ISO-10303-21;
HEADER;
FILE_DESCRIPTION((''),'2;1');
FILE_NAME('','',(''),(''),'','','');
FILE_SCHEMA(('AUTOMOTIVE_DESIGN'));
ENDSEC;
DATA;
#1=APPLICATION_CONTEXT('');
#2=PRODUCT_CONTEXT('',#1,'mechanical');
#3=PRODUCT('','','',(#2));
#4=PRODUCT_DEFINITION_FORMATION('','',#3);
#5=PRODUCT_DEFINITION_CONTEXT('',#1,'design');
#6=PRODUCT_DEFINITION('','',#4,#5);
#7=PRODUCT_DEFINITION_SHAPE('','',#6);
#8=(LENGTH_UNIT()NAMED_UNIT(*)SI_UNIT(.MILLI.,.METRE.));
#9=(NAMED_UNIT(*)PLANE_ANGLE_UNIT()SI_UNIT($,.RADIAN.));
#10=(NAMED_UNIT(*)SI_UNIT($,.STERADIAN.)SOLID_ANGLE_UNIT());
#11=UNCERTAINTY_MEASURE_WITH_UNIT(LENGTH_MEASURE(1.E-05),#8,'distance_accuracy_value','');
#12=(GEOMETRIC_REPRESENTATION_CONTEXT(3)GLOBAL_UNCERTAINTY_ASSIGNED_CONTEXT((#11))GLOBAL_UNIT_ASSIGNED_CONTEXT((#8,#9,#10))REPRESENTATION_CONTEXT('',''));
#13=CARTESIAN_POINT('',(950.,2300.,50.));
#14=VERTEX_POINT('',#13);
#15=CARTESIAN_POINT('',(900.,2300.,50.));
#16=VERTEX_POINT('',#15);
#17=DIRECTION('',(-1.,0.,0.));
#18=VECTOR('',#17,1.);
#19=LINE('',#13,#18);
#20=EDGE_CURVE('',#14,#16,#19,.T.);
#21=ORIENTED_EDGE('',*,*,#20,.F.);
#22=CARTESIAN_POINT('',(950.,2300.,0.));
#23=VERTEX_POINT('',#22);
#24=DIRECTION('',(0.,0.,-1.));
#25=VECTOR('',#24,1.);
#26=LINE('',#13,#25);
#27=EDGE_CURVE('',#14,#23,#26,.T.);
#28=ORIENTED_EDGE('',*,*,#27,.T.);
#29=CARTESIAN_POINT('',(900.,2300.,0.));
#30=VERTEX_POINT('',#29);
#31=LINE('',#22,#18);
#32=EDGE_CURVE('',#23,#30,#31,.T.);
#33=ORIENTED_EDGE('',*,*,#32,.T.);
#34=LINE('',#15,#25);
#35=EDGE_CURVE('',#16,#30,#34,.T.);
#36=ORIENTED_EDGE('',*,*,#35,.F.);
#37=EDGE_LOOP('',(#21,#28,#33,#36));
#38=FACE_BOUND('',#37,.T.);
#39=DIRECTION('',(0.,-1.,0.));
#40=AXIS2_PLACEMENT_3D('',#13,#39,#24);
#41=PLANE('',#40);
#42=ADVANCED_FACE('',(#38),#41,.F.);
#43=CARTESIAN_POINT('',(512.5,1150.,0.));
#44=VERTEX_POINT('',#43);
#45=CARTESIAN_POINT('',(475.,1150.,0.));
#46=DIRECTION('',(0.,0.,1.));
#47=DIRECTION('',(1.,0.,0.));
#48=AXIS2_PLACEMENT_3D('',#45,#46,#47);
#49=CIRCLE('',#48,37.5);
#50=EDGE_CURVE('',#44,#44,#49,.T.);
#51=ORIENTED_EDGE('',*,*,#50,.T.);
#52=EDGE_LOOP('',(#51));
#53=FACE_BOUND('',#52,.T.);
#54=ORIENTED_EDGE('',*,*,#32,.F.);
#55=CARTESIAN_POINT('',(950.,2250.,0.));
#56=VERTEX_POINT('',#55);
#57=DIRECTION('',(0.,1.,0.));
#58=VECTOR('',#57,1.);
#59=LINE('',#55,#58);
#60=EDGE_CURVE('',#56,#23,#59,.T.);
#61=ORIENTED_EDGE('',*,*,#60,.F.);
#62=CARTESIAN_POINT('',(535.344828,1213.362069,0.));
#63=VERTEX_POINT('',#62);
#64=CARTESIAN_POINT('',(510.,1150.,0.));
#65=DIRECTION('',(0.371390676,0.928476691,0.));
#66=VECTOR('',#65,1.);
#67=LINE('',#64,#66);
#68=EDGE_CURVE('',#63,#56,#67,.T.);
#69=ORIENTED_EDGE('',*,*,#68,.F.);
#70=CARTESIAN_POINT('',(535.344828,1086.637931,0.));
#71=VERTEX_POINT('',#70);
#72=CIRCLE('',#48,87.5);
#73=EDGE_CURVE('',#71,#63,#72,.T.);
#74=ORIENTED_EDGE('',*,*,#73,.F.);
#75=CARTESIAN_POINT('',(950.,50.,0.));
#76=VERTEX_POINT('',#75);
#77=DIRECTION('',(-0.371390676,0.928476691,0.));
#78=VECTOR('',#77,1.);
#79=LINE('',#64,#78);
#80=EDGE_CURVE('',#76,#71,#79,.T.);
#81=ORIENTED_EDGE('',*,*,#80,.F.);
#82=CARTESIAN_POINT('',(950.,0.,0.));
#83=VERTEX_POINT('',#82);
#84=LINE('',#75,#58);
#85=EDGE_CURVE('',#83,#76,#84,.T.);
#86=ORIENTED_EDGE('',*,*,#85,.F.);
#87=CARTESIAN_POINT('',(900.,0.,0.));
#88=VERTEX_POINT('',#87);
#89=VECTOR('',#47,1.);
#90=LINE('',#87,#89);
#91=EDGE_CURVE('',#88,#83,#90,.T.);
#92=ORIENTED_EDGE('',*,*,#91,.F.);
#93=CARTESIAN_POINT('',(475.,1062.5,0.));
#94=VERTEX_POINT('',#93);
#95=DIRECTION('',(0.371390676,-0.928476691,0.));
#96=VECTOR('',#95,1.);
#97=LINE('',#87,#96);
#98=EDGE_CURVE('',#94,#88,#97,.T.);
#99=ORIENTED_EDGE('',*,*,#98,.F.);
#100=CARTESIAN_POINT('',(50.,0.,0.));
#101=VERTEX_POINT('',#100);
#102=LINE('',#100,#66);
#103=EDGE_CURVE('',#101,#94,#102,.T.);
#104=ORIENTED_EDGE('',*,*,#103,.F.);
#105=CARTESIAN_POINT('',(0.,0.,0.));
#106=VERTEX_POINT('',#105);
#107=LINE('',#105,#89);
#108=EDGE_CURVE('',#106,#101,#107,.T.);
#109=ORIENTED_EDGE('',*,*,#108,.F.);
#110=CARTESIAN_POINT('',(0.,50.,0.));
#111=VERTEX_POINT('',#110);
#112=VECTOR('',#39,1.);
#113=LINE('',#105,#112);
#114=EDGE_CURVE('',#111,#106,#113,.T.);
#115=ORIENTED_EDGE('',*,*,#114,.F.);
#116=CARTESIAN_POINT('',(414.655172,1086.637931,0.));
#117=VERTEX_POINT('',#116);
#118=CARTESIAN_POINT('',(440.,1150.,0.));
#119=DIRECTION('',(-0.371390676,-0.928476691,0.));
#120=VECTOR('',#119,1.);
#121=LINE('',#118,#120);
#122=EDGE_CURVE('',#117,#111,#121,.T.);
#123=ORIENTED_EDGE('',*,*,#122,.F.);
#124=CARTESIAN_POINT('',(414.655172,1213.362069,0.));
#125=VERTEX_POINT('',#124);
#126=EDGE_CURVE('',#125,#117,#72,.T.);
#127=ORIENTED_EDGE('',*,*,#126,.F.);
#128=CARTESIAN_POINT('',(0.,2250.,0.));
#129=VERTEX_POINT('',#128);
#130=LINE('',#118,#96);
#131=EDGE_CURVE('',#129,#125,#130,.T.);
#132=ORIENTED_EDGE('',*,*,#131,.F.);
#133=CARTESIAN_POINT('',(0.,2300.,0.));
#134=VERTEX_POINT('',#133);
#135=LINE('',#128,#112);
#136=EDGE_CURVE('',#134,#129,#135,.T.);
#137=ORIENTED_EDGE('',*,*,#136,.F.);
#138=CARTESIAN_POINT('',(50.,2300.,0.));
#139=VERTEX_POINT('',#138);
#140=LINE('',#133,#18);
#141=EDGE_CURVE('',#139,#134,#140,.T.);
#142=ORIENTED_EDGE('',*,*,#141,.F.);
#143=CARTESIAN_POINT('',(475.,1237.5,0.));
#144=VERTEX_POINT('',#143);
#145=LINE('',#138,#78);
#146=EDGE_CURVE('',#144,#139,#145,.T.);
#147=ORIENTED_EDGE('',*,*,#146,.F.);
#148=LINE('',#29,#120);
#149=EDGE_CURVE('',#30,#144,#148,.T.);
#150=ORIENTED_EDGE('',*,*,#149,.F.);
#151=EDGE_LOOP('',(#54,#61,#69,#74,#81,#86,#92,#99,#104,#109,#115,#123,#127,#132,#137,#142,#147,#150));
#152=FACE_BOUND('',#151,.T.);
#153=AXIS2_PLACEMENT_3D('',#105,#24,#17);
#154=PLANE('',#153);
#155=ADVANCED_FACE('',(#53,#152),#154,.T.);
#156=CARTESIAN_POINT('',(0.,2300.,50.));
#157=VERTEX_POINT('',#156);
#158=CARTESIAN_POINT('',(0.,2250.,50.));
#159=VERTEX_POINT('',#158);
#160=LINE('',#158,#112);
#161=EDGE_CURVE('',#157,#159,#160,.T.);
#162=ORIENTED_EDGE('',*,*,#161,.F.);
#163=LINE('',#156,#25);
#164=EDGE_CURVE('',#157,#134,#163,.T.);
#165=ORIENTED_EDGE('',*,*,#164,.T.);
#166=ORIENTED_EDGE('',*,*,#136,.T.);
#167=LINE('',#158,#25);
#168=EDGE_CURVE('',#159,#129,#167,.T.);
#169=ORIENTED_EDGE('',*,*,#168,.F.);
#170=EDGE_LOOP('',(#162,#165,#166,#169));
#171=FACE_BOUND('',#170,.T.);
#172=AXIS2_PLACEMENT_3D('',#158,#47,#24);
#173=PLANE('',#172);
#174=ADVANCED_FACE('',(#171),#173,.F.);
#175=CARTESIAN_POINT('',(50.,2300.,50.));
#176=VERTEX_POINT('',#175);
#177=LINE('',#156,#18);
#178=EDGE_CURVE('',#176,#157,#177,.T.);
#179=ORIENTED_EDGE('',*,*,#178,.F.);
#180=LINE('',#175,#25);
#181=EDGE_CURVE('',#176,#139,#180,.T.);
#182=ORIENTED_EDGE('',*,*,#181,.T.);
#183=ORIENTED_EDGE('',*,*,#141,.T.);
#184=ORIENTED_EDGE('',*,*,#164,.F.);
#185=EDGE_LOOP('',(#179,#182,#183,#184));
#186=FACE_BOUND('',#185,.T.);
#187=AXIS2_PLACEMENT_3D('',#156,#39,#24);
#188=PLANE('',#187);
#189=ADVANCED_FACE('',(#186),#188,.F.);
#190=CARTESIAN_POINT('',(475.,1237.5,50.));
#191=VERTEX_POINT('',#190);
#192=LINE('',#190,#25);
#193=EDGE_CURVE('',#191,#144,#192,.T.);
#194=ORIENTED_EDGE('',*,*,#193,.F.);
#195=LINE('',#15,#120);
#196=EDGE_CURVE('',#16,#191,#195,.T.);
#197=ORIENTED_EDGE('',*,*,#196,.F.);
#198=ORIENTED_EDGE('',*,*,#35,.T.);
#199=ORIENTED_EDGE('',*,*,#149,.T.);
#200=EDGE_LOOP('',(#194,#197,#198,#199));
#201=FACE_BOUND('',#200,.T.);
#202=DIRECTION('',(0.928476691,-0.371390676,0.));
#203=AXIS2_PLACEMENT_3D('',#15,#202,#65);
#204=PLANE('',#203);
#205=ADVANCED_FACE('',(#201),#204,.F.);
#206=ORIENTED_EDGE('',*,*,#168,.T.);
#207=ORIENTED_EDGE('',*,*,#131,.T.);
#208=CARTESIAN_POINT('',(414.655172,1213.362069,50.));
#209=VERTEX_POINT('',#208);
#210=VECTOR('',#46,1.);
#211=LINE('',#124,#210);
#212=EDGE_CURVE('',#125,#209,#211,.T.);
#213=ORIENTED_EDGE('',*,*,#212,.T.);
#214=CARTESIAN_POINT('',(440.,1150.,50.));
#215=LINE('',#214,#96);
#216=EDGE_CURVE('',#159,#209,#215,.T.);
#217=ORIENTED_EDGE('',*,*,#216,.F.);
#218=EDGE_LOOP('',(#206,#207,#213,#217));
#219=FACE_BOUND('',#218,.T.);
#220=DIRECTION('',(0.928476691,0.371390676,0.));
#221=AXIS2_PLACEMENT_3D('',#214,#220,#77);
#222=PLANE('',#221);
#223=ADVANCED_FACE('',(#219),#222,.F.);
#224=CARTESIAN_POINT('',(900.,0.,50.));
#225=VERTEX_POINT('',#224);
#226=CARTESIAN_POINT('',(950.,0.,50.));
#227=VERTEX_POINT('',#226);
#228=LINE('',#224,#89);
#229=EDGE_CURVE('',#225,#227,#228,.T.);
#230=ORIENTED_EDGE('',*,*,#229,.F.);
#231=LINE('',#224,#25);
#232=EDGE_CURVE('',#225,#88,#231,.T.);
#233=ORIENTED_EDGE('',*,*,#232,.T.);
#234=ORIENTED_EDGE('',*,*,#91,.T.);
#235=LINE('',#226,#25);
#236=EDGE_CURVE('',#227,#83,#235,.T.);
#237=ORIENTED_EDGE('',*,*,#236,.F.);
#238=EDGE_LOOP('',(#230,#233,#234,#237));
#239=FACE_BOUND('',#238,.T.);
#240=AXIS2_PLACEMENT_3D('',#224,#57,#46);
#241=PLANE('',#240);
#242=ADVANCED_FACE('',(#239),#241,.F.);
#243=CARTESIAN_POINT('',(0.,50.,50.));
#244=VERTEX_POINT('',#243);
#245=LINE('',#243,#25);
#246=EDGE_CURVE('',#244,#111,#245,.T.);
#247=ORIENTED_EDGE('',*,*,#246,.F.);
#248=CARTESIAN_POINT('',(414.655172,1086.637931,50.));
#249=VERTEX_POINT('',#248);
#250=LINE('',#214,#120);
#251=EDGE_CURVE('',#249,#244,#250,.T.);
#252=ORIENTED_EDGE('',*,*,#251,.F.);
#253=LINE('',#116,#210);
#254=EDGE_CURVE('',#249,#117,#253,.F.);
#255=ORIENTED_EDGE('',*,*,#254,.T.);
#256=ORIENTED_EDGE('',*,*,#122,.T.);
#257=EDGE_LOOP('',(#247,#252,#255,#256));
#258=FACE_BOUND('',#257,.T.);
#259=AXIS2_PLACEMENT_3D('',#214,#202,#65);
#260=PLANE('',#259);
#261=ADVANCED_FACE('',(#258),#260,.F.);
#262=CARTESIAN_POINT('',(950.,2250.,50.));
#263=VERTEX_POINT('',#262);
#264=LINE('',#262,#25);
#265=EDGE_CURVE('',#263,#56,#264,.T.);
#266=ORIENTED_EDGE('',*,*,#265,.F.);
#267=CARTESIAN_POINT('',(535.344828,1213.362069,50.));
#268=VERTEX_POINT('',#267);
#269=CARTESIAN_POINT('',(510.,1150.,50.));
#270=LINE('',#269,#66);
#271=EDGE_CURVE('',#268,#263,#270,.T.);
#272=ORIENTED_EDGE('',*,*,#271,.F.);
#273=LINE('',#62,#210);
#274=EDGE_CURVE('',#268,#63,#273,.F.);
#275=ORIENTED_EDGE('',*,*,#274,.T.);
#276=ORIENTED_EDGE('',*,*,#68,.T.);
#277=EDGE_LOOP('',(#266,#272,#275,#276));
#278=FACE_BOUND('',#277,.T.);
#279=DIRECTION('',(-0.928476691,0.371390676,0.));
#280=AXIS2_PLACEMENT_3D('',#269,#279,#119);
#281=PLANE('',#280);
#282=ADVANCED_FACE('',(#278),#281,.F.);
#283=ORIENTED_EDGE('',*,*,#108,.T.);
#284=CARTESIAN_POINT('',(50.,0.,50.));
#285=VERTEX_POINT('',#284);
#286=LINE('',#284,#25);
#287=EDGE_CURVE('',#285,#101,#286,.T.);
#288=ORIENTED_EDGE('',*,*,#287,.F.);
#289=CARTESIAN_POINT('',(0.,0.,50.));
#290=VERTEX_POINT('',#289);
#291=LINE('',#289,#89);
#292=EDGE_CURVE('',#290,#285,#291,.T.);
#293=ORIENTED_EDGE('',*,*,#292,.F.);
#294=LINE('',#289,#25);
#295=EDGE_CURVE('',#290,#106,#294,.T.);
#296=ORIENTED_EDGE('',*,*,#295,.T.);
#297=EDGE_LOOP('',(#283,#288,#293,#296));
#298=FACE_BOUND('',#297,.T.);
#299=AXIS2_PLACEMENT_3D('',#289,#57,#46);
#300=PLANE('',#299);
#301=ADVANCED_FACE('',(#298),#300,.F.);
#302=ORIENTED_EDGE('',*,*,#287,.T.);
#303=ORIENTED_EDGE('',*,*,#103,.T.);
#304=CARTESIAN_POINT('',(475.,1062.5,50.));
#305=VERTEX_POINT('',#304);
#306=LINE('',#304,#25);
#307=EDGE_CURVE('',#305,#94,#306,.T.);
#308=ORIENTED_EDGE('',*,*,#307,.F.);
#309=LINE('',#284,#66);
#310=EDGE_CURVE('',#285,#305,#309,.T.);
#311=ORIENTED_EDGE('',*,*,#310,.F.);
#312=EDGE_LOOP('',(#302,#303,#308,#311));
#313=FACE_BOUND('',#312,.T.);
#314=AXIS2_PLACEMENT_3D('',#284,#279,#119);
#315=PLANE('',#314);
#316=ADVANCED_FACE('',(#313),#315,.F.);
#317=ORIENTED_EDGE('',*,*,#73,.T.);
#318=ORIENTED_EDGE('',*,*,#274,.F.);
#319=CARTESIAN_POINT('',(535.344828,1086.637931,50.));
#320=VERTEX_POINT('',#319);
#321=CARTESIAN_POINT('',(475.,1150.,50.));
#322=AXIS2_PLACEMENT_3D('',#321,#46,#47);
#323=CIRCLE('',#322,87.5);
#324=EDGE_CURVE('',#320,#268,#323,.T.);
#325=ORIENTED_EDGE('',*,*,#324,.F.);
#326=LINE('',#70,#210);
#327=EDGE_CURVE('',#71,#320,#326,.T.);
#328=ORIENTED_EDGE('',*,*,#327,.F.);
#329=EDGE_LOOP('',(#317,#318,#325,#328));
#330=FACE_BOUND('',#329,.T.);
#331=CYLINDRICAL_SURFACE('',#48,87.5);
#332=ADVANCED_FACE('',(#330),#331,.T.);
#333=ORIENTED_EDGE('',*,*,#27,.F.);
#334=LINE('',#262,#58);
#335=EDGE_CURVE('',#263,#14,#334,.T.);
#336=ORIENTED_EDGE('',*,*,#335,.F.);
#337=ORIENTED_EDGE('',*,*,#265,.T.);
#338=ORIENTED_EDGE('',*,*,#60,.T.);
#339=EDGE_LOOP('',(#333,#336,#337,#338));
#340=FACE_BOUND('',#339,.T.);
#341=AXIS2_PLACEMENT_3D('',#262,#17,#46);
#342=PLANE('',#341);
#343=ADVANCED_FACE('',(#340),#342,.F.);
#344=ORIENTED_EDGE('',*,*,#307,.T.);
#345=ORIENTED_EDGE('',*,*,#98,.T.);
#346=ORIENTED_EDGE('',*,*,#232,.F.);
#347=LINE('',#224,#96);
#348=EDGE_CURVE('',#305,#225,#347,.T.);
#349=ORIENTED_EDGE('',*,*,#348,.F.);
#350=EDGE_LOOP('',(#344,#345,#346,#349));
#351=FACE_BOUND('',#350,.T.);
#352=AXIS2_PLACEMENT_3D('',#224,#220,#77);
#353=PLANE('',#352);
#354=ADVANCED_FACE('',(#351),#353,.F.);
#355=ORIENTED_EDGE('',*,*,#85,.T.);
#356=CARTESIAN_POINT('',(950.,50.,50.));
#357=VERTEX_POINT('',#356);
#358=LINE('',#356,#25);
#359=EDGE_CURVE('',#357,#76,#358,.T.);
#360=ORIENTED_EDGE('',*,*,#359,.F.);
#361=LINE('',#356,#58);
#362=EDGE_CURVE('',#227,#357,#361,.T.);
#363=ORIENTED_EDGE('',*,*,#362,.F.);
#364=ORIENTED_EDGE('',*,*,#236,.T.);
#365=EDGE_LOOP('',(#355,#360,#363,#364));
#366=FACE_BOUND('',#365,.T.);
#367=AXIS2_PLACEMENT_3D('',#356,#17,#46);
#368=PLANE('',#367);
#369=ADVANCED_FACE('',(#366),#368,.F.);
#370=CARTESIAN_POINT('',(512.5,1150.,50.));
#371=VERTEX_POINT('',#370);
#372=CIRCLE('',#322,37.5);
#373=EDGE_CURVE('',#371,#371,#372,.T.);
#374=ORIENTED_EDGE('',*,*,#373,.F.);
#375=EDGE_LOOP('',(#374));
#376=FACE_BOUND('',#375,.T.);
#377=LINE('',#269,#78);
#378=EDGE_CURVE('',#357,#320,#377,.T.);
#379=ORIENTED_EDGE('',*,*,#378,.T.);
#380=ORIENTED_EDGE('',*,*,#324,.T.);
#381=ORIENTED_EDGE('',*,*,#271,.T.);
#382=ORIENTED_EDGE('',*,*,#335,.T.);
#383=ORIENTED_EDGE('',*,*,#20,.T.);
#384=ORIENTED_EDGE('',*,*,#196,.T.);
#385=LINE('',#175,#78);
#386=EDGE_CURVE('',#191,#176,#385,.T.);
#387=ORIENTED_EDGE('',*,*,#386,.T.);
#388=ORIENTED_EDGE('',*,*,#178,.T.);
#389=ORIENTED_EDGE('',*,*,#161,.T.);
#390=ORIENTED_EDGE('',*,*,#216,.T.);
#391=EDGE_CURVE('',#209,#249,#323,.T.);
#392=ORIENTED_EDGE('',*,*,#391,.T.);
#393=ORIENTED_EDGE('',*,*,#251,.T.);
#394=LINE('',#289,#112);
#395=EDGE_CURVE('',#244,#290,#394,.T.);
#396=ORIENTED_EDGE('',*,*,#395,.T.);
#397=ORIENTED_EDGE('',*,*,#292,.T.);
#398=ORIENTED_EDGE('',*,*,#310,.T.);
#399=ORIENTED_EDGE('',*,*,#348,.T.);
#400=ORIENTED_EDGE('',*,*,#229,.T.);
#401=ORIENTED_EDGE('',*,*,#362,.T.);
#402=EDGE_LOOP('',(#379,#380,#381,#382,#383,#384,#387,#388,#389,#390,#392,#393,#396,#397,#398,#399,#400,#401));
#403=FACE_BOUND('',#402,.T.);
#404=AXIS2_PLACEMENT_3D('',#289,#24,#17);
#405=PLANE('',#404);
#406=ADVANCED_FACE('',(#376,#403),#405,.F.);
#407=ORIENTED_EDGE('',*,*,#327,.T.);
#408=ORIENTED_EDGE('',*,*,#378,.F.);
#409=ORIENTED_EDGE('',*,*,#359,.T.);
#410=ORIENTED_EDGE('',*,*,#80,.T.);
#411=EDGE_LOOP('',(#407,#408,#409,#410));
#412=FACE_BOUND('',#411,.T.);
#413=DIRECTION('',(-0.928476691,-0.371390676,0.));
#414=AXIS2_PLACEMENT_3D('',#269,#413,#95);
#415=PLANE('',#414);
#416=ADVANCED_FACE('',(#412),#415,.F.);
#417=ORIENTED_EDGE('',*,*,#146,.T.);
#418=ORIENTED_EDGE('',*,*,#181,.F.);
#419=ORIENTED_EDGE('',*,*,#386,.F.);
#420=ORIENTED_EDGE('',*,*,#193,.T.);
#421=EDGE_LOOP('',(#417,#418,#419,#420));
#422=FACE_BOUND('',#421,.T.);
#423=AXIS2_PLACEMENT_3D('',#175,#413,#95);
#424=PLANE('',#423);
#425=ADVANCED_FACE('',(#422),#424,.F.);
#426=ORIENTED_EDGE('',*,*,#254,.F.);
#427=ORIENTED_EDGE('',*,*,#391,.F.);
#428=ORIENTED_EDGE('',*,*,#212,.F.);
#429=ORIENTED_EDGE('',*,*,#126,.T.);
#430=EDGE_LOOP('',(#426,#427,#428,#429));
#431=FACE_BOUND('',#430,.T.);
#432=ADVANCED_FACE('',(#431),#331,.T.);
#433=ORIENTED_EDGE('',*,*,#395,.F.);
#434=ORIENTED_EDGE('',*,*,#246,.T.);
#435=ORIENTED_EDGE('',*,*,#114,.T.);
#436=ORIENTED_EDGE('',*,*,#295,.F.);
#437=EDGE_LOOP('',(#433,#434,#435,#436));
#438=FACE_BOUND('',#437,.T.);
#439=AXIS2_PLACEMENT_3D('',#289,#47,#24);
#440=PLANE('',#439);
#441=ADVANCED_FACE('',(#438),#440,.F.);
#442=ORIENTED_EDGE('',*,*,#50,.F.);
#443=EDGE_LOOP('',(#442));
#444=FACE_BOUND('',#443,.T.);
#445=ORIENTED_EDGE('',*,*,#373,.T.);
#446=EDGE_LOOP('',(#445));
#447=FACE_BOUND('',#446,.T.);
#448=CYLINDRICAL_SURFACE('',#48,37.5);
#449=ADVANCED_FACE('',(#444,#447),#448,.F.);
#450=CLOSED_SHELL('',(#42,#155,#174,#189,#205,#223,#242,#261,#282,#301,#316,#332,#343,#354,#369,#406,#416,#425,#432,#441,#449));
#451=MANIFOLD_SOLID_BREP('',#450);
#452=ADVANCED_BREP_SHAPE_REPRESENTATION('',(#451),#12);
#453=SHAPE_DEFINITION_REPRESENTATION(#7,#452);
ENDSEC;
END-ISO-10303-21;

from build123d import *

# Parameters (mm, degrees)
AUFSATZ_LINEAR_AUSTRAGEN1_DEPTH = 50
SKIZZE2_R                       = 87.5
SKIZZE2_R_2                     = 35
AUFSATZ_LINEAR_AUSTRAGEN2_DEPTH = 50
SCHNITT_LINEAR_AUSTRAGEN1_DEPTH = 50


with BuildPart() as part:
    # Skizze1 → Aufsatz-Linear austragen1 (new body)
    with BuildSketch(Plane.XY):
        Polygon((0, 2300), (50, 2300), (475, 1237.5), (900, 2300), (950, 2300), (950, 2250), (510, 1150), (950, 50), (950, 0), (900, 0), (475, 1062.5), (50, 0), (0, 0), (0, 50), (440, 1150), (0, 2250), align=None)
    extrude(amount=AUFSATZ_LINEAR_AUSTRAGEN1_DEPTH)

    # Skizze2 → Aufsatz-Linear austragen2 (add)
    with BuildSketch(Plane.XY.offset(50)):
        with Locations((475, 1150)):
            Circle(SKIZZE2_R)
        with Locations((475, 1150)):
            Circle(SKIZZE2_R_2, mode=Mode.SUBTRACT)
    extrude(amount=-AUFSATZ_LINEAR_AUSTRAGEN2_DEPTH)

    # Skizze4 → Schnitt-Linear austragen1 (cut)
    with BuildSketch(Plane.XY.offset(50)):
        with BuildLine():
            ThreePointArc((512.5, 1150), (501.516504294, 1176.516504294), (475, 1187.5))
            Line((475, 1187.5), (475, 1112.5))
            ThreePointArc((475, 1112.5), (501.516504294, 1123.483495706), (512.5, 1150))
        make_face()
        with BuildLine():
            Line((475, 1112.5), (475, 1187.5))
            ThreePointArc((475, 1187.5), (437.5, 1150), (475, 1112.5))
        make_face()
    extrude(amount=-SCHNITT_LINEAR_AUSTRAGEN1_DEPTH, mode=Mode.SUBTRACT)


solid = part.part
